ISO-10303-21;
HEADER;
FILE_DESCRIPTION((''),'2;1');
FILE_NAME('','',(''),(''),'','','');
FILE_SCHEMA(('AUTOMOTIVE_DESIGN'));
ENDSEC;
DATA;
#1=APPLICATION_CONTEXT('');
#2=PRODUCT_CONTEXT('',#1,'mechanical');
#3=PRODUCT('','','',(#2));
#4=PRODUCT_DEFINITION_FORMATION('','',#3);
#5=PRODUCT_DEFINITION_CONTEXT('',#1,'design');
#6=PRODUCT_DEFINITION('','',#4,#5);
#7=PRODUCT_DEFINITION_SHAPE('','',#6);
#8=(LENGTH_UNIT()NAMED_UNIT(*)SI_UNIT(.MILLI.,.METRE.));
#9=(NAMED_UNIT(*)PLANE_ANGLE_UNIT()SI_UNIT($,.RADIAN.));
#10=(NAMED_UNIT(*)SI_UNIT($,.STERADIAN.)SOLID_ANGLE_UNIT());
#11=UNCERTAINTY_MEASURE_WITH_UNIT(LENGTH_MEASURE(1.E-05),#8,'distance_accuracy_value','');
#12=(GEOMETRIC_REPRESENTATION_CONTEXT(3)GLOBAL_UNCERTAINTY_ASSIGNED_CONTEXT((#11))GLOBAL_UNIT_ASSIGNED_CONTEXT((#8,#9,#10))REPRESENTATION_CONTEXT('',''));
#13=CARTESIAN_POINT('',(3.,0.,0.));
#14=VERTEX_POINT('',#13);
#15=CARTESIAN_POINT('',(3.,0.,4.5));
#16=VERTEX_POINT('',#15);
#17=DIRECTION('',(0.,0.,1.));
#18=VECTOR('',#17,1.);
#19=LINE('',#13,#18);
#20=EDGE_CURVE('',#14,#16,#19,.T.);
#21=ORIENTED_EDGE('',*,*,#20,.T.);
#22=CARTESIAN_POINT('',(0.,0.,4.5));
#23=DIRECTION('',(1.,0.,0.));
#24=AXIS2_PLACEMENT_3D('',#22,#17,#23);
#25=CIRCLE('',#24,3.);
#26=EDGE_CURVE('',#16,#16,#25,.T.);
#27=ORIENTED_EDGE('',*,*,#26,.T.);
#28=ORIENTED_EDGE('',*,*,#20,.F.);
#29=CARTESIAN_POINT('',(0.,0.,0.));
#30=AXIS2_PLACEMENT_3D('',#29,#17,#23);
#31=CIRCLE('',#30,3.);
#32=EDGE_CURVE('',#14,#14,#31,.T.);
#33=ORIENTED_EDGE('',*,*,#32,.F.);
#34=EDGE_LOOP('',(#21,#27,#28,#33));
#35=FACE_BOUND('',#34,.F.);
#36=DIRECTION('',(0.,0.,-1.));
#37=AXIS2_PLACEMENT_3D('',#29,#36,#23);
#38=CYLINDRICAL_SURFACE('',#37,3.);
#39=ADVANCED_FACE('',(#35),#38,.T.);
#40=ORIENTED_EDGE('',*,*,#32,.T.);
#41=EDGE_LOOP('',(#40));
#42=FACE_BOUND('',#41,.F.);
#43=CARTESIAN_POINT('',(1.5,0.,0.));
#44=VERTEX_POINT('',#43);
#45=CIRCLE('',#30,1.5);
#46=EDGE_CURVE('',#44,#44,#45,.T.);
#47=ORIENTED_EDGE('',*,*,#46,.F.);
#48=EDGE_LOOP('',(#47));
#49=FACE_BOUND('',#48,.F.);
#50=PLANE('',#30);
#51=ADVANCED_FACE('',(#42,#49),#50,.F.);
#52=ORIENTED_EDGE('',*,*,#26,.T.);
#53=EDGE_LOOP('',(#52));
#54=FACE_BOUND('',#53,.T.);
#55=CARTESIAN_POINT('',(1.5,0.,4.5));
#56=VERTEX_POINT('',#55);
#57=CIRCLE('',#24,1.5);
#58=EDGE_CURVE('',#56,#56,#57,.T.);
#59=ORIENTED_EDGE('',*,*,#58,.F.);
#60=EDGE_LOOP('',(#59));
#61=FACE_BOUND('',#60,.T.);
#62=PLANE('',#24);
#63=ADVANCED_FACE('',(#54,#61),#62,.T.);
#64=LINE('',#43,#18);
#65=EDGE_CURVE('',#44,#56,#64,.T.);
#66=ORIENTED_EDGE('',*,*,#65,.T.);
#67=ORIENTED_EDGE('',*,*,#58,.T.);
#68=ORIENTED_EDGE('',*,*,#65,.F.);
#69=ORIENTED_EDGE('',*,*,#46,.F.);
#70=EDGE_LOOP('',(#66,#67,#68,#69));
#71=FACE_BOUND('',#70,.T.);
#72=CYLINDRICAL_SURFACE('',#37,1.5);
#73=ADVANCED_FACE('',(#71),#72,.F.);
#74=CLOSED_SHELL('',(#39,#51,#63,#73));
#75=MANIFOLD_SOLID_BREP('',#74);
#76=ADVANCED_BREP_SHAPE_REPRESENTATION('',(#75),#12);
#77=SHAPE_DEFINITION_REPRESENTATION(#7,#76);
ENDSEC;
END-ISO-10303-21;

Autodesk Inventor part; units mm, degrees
ref_plane "YZ Plane" through (0, 0, 0) normal (1, 0, 0) x (0, 1, 0)
ref_plane "XZ Plane" through (0, 0, 0) normal (0, 1, 0) x (-1, 0, 0)
ref_plane "XY Plane" through (0, 0, 0) normal (0, 0, 1) x (1, 0, 0)
sketch "スケッチ1" plane through (0, 0, 0) normal (0, 0, 1) x (1, 0, 0)
  circle A0 centre (0, 0) radius 3
  circle A1 centre (0, 0) radius 1.5
  dimension "d0" = 6
  dimension "d1" = 3
extrude "押し出し1" add sketch "スケッチ1" along normal blind 4.5
properties part number "スペーサーm3-4.5　簡易筒型" material "アルミニウム 2014-T4"
